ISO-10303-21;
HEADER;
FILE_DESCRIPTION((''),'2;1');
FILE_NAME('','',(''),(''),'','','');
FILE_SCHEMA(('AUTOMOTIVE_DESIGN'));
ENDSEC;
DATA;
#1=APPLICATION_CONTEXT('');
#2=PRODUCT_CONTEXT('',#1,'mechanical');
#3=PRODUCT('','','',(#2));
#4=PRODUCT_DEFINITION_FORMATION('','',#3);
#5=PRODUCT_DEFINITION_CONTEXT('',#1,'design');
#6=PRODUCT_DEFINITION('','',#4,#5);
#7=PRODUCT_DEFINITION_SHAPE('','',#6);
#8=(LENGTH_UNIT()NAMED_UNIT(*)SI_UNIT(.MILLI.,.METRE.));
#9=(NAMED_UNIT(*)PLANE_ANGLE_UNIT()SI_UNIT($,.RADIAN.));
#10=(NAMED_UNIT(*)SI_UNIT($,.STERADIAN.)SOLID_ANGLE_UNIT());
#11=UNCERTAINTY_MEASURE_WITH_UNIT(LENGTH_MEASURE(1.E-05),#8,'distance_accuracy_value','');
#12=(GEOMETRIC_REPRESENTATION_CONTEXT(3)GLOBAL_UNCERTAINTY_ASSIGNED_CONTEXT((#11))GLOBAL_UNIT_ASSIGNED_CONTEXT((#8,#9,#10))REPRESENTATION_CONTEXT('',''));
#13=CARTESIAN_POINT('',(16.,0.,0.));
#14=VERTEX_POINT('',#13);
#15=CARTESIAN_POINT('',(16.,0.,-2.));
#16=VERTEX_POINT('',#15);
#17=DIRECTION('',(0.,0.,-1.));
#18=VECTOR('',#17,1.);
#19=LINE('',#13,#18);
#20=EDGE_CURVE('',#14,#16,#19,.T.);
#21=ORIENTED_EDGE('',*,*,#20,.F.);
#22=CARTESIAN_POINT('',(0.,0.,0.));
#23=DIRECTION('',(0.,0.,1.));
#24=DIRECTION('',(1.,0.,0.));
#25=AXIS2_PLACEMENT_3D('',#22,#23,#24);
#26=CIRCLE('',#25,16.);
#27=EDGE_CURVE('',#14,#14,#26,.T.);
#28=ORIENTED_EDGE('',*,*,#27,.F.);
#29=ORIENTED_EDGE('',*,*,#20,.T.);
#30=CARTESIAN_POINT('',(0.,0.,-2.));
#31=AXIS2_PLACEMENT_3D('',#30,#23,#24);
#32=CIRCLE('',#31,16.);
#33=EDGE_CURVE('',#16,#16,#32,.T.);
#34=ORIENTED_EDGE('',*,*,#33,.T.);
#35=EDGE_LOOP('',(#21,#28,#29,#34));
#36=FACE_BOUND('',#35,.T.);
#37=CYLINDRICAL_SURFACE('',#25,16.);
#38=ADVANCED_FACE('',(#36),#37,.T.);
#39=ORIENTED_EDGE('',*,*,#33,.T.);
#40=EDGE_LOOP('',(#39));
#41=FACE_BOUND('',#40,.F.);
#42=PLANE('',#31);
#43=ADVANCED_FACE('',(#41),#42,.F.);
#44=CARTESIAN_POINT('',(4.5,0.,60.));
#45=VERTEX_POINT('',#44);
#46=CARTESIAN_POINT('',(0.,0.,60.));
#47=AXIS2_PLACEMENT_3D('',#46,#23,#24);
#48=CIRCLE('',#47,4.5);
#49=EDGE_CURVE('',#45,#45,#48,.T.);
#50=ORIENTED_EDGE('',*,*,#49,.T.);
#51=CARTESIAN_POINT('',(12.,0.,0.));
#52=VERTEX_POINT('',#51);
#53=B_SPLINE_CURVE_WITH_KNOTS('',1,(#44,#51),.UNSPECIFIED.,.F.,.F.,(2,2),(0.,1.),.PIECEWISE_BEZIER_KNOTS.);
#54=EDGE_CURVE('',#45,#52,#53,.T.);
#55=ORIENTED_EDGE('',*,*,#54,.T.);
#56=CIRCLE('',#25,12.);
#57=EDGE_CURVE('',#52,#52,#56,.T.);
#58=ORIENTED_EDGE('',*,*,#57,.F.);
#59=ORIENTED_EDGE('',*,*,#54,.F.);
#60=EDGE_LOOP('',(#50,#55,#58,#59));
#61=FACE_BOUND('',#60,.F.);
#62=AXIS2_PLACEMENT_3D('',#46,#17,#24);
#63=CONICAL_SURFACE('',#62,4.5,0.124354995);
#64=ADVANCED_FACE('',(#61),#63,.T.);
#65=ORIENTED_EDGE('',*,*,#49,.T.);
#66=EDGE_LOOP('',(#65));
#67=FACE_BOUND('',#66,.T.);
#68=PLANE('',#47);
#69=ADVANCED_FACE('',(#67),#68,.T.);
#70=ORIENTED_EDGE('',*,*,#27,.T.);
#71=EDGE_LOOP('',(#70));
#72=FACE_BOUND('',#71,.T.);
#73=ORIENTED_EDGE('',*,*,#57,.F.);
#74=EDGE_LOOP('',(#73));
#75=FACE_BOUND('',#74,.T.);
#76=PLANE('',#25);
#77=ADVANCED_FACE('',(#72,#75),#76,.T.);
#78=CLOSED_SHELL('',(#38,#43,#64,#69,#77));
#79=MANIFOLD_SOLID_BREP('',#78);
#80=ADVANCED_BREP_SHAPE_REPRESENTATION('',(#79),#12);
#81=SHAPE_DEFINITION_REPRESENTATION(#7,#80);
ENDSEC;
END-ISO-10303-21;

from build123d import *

# Parameters (mm, degrees)
F2_R     = 4.5
F0_R     = 12
F4_R     = 16
F5_DEPTH = 2


with BuildPart() as f3:
    # F2 (on offset) → F3 section 0
    with BuildSketch(Plane.XY.offset(60)):
        Circle(F2_R)
    # F0 (on Top) → F3 section 1
    with BuildSketch(Plane.XY):
        Circle(F0_R)
    loft()

    # F4 (on Top) → F5 (join)
    with BuildSketch(Plane.XY):
        Circle(F4_R)
    extrude(amount=-F5_DEPTH)


solid = f3.part
